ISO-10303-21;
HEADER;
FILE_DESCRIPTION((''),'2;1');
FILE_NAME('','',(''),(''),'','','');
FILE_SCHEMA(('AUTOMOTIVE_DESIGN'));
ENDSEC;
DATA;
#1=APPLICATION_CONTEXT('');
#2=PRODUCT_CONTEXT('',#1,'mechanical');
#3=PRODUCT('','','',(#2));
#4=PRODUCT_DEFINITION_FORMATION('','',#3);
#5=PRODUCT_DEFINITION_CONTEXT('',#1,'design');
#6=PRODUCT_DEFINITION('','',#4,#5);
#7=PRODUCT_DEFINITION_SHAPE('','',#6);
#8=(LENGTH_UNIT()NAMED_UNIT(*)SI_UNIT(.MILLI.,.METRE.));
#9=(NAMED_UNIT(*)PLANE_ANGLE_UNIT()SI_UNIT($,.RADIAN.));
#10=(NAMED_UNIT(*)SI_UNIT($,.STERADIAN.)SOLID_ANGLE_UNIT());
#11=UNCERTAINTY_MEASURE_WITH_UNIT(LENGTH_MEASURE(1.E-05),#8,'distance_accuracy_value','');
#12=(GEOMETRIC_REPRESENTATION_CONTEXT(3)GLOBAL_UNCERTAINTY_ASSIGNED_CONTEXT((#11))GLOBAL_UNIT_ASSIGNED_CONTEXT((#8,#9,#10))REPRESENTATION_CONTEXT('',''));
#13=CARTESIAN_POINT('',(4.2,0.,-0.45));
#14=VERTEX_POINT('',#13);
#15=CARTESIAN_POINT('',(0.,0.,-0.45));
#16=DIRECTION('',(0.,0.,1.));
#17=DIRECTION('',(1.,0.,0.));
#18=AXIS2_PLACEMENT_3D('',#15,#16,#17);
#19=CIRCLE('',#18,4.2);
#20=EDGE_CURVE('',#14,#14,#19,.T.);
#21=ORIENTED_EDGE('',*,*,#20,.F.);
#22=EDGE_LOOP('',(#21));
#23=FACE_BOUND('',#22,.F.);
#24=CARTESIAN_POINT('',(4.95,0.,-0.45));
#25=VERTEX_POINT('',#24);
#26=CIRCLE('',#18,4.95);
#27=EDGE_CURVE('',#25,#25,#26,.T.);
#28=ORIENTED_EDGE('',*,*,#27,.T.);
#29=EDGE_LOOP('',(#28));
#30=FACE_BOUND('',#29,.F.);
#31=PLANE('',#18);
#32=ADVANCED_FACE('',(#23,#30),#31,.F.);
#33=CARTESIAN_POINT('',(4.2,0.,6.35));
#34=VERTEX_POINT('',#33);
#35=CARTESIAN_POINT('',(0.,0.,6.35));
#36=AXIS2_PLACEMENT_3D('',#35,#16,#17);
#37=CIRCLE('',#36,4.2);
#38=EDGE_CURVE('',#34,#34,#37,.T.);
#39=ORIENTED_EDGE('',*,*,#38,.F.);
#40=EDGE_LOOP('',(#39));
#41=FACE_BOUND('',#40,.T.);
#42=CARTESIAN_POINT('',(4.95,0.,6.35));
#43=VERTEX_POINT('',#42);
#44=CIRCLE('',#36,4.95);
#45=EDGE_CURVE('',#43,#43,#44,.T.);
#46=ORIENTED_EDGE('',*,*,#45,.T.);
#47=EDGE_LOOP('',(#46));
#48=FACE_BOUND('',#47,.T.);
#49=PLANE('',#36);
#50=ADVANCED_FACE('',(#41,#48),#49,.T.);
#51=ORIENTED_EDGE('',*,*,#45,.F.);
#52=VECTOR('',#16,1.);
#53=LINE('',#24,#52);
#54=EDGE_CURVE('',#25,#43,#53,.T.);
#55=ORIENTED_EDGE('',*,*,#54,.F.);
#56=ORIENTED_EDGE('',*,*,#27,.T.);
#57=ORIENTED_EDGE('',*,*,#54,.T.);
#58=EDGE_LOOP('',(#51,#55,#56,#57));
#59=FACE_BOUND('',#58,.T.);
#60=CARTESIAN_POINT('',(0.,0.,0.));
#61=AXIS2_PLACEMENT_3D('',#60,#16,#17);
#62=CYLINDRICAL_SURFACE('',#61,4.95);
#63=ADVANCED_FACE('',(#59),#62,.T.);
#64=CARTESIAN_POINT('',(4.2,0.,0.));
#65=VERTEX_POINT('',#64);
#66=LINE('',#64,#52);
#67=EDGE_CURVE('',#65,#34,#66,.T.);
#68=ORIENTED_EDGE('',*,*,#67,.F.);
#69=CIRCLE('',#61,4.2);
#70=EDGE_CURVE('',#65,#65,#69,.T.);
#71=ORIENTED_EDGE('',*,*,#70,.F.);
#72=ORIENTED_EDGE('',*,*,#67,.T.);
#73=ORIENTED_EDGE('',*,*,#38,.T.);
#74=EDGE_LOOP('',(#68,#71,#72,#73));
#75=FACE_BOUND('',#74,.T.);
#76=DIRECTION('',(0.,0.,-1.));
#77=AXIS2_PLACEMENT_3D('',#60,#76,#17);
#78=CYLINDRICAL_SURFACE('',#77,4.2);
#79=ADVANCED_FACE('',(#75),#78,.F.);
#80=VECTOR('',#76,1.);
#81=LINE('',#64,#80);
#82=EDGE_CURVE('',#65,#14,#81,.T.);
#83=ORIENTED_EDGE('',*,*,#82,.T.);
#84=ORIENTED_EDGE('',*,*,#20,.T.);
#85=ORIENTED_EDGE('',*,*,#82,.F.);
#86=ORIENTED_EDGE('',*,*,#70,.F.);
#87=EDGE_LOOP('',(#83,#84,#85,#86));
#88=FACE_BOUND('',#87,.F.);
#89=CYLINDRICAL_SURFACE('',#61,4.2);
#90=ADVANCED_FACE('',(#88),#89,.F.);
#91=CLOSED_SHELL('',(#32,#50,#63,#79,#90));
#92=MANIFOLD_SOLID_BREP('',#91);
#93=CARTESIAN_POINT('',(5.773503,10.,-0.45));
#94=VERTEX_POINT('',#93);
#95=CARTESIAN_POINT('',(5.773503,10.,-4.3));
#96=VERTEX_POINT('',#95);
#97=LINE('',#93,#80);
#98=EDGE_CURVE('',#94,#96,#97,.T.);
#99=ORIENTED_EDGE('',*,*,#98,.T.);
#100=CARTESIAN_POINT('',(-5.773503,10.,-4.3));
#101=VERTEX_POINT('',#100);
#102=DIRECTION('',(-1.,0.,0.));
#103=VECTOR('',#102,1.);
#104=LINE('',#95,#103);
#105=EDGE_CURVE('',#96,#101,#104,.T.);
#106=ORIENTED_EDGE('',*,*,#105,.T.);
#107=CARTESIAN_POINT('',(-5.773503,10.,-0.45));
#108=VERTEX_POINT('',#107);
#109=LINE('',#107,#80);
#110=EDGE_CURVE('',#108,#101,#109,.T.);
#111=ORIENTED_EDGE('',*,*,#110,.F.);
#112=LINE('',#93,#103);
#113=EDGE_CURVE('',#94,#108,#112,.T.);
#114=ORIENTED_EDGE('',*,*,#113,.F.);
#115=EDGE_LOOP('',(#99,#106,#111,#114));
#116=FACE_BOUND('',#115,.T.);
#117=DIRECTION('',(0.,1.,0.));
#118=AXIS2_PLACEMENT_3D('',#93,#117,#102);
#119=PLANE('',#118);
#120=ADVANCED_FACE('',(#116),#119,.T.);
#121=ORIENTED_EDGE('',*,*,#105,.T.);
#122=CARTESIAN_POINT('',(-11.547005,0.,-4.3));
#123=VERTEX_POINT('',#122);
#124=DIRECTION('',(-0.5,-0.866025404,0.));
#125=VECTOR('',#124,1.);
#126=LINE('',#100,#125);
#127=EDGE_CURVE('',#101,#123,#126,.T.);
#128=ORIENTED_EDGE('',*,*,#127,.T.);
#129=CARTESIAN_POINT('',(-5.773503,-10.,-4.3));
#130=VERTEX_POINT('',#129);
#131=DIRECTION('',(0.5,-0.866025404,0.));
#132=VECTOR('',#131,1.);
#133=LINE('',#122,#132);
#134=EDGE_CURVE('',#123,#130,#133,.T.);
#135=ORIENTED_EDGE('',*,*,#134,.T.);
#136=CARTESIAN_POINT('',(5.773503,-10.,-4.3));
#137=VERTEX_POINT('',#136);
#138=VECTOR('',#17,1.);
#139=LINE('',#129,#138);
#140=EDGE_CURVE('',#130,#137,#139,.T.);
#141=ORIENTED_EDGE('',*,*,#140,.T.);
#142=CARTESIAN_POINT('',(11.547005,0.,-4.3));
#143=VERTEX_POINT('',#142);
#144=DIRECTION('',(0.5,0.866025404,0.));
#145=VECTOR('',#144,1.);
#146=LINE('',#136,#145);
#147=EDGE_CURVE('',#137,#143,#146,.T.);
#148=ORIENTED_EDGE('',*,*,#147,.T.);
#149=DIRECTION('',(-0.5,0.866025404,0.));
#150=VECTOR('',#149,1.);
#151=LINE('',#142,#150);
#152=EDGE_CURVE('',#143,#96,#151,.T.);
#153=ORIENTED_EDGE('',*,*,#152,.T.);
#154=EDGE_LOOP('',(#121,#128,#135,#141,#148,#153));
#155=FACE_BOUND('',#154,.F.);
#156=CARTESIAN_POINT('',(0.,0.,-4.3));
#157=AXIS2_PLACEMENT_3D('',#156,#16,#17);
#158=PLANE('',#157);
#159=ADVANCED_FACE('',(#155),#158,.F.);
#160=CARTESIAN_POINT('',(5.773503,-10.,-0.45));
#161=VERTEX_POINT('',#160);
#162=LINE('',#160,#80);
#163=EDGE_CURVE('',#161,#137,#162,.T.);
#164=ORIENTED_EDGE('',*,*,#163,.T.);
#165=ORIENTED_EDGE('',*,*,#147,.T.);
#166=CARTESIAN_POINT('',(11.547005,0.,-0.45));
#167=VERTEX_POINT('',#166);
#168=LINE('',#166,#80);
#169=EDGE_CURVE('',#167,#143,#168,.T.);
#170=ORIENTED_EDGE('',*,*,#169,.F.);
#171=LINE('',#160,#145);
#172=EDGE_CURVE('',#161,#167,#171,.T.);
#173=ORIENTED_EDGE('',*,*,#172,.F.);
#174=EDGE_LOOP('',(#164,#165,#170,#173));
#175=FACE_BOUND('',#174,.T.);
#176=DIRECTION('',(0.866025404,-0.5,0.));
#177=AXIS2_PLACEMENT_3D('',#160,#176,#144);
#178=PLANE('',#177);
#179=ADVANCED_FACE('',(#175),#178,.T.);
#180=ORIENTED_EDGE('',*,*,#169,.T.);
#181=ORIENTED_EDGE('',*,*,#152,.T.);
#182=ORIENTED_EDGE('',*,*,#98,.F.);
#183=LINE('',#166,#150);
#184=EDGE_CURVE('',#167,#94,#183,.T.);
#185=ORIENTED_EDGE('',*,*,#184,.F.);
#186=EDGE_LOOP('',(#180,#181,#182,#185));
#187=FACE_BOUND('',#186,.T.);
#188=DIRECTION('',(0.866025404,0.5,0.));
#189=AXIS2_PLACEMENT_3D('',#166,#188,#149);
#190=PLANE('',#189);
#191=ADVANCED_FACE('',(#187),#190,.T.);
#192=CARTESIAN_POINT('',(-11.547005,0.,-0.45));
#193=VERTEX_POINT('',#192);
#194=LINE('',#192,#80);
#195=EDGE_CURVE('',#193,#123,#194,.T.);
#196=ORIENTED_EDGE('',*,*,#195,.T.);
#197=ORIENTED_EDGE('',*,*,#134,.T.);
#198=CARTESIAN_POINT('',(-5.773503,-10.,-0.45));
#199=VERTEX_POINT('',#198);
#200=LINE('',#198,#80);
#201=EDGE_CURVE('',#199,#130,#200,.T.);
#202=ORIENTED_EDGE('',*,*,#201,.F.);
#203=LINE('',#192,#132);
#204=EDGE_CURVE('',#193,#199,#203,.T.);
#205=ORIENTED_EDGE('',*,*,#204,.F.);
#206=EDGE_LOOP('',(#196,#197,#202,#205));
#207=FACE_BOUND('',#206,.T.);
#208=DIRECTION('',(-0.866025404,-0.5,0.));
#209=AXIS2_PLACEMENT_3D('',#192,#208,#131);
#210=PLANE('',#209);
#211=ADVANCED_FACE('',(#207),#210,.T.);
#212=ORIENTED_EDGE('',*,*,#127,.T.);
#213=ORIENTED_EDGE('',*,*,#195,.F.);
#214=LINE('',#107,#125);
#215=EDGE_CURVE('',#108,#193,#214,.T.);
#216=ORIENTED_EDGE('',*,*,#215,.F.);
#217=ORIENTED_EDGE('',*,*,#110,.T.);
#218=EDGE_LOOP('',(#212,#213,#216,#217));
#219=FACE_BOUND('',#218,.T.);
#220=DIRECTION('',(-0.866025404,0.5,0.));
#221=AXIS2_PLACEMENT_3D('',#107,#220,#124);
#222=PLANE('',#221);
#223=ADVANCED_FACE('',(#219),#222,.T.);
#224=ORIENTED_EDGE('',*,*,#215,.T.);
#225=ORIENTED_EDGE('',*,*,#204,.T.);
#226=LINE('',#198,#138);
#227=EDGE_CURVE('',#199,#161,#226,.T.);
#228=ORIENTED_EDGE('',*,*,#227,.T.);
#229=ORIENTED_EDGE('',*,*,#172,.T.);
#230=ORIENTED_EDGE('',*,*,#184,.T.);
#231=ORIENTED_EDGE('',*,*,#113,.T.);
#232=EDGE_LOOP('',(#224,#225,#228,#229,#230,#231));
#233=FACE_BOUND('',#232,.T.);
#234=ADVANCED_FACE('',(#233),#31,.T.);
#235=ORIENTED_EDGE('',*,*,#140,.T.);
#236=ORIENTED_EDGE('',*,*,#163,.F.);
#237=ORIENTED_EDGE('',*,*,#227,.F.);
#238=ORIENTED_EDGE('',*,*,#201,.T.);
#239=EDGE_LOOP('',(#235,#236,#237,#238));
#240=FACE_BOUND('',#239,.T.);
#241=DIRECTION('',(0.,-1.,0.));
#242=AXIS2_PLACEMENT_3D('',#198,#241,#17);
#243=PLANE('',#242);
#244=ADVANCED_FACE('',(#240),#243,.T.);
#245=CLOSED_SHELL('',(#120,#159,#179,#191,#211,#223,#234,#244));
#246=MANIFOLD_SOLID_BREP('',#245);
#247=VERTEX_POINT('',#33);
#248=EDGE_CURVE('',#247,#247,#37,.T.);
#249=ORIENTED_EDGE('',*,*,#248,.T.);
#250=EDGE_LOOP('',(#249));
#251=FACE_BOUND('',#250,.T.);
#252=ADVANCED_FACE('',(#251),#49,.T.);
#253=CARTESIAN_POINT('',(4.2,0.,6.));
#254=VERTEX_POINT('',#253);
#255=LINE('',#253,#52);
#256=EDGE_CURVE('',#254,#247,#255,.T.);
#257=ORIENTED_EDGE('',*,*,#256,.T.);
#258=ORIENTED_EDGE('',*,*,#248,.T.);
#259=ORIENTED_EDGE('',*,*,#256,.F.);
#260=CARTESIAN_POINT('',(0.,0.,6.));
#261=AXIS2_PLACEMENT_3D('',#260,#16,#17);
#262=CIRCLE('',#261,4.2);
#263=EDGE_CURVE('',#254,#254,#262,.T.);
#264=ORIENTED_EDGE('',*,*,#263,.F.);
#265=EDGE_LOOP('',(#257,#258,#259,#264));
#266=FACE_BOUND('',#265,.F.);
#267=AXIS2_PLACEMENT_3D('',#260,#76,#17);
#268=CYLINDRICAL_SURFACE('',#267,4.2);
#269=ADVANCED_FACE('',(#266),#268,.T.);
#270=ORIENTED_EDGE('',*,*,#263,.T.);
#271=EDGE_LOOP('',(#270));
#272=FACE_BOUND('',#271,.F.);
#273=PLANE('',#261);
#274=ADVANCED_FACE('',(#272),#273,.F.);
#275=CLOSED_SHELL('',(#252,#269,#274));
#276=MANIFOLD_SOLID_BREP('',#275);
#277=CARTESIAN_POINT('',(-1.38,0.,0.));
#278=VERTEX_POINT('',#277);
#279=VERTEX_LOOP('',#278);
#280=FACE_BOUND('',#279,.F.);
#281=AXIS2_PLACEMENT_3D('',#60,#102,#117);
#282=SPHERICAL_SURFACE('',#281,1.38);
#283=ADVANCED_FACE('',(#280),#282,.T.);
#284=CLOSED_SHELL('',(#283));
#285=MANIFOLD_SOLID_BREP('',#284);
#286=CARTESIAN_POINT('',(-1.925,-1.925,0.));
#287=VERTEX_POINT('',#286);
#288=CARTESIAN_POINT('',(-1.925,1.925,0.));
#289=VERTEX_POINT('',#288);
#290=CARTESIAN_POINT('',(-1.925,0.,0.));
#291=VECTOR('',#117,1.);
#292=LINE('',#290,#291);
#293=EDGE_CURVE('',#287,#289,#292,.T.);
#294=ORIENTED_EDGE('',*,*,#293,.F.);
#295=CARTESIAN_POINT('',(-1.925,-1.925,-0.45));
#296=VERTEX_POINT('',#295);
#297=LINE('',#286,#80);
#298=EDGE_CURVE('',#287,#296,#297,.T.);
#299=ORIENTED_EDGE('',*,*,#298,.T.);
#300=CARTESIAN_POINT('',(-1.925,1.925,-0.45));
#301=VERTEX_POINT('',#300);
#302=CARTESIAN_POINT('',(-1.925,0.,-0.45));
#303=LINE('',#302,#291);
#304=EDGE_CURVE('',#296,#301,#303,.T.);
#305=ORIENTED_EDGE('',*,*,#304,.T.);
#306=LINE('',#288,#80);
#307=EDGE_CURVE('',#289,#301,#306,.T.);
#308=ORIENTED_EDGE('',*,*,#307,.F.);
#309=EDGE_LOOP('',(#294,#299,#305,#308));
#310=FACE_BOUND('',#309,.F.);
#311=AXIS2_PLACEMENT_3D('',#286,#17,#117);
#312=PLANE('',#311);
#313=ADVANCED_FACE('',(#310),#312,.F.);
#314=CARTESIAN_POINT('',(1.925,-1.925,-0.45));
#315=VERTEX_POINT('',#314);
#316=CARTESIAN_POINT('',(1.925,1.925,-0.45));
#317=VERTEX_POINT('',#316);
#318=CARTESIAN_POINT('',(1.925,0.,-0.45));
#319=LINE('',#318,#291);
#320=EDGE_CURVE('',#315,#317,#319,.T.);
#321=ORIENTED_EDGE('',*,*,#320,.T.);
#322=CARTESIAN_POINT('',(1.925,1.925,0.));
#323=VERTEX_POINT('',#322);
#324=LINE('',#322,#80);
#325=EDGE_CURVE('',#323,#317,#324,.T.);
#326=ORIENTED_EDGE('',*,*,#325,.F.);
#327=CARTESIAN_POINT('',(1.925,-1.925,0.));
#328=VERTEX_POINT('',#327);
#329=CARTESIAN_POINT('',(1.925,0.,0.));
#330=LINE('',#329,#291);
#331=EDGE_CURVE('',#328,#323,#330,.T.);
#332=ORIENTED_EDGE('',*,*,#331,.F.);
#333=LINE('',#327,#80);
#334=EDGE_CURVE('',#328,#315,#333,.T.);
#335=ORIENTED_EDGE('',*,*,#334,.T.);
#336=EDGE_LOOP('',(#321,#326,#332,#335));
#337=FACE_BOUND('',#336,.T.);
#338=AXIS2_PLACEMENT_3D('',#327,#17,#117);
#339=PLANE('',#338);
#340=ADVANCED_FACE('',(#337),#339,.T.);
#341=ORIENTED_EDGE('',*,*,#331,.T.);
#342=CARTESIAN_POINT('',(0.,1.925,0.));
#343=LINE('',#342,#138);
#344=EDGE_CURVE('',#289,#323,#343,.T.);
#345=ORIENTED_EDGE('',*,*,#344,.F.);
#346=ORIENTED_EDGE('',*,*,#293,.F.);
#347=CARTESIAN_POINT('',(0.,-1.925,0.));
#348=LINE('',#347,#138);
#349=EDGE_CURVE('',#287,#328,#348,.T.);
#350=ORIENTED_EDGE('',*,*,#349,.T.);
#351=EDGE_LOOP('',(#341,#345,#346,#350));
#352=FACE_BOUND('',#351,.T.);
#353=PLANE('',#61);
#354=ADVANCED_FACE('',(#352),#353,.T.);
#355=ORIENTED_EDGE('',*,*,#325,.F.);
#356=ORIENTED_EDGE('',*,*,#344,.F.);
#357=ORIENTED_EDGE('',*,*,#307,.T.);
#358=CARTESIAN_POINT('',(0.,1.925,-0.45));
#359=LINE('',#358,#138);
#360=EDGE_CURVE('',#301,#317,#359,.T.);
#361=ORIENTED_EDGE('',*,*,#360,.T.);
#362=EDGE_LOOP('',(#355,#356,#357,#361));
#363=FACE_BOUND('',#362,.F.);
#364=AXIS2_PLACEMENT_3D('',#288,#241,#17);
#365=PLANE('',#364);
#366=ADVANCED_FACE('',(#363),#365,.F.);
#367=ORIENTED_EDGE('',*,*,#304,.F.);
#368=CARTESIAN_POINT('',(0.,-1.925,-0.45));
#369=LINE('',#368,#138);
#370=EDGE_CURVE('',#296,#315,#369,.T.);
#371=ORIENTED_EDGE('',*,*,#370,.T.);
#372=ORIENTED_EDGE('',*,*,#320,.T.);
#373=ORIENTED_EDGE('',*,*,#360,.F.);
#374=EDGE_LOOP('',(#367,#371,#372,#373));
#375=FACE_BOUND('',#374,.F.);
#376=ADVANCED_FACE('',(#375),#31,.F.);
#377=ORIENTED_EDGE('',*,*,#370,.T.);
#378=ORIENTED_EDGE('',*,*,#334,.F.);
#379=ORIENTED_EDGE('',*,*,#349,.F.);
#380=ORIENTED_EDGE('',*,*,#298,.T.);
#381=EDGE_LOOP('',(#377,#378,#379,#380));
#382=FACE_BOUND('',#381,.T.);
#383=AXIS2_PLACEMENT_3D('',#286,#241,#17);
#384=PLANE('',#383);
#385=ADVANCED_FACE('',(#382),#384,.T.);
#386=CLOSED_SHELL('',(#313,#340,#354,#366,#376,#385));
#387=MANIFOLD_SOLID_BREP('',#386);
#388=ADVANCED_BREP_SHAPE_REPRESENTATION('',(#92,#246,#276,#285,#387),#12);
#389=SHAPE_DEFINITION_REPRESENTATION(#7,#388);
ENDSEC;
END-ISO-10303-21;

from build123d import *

# Parameters (mm, degrees)
F1_START      = -0.45
F1_DEPTH      = 3.85
F2_W          = 3.85
F2_H          = 3.85
F4_DEPTH      = 0.45
F5_R          = 4.95
F5_R_2        = 4.2
F6_DEPTH      = 6.35
F6_DEPTH_BACK = 0.45
F7_START      = 6
F7_DEPTH      = 0.35


with BuildPart() as f1:
    # F0 (on Top) → F1 (new body)
    with BuildSketch(Plane.XY.offset(F1_START)):
        Polygon((-5.7735026919, -10), (5.7735026919, -10), (11.5470053838, 0), (5.7735026919, 10), (-5.7735026919, 10), (-11.5470053838, 0), align=None)
    extrude(amount=-F1_DEPTH)


with BuildPart() as f3:
    # F2 (on Top) → F3 (revolve)
    with BuildSketch(Plane.XY):
        with BuildLine():
            Line((-1.38, 0), (1.38, 0))
            ThreePointArc((1.38, 0), (0, 1.38), (-1.38, 0))
        make_face()
    revolve(axis=Axis((0, 0, 0), (1, 0, 0)))


with BuildPart() as f4:
    # F2 (on Top) → F4 (new body)
    with BuildSketch(Plane.XY):
        Rectangle(F2_W, F2_H)
        with BuildLine():
            ThreePointArc((-1.38, 0), (0, 1.38), (1.38, 0))
            ThreePointArc((1.38, 0), (0, -1.38), (-1.38, 0))
        make_face(mode=Mode.SUBTRACT)
        with BuildLine():
            Line((-1.38, 0), (1.38, 0))
            ThreePointArc((1.38, 0), (0, 1.38), (-1.38, 0))
        make_face()
        with BuildLine():
            ThreePointArc((-1.38, 0), (0, -1.38), (1.38, 0))
            Line((1.38, 0), (-1.38, 0))
        make_face()
    extrude(amount=-F4_DEPTH)


with BuildPart() as f6:
    # F5 (on Top) → F6 (new body, two sides)
    with BuildSketch(Plane.XY) as f6_sk:
        Circle(F5_R)
        Circle(F5_R_2, mode=Mode.SUBTRACT)
    extrude(amount=F6_DEPTH)
    extrude(f6_sk.sketch, amount=-F6_DEPTH_BACK)


with BuildPart() as f7:
    # F5 (on Top) → F7 (new body)
    with BuildSketch(Plane.XY.offset(F7_START)):
        Circle(F5_R_2)
    extrude(amount=F7_DEPTH)


solid = Compound([f1.part, f3.part, f4.part, f6.part, f7.part])
